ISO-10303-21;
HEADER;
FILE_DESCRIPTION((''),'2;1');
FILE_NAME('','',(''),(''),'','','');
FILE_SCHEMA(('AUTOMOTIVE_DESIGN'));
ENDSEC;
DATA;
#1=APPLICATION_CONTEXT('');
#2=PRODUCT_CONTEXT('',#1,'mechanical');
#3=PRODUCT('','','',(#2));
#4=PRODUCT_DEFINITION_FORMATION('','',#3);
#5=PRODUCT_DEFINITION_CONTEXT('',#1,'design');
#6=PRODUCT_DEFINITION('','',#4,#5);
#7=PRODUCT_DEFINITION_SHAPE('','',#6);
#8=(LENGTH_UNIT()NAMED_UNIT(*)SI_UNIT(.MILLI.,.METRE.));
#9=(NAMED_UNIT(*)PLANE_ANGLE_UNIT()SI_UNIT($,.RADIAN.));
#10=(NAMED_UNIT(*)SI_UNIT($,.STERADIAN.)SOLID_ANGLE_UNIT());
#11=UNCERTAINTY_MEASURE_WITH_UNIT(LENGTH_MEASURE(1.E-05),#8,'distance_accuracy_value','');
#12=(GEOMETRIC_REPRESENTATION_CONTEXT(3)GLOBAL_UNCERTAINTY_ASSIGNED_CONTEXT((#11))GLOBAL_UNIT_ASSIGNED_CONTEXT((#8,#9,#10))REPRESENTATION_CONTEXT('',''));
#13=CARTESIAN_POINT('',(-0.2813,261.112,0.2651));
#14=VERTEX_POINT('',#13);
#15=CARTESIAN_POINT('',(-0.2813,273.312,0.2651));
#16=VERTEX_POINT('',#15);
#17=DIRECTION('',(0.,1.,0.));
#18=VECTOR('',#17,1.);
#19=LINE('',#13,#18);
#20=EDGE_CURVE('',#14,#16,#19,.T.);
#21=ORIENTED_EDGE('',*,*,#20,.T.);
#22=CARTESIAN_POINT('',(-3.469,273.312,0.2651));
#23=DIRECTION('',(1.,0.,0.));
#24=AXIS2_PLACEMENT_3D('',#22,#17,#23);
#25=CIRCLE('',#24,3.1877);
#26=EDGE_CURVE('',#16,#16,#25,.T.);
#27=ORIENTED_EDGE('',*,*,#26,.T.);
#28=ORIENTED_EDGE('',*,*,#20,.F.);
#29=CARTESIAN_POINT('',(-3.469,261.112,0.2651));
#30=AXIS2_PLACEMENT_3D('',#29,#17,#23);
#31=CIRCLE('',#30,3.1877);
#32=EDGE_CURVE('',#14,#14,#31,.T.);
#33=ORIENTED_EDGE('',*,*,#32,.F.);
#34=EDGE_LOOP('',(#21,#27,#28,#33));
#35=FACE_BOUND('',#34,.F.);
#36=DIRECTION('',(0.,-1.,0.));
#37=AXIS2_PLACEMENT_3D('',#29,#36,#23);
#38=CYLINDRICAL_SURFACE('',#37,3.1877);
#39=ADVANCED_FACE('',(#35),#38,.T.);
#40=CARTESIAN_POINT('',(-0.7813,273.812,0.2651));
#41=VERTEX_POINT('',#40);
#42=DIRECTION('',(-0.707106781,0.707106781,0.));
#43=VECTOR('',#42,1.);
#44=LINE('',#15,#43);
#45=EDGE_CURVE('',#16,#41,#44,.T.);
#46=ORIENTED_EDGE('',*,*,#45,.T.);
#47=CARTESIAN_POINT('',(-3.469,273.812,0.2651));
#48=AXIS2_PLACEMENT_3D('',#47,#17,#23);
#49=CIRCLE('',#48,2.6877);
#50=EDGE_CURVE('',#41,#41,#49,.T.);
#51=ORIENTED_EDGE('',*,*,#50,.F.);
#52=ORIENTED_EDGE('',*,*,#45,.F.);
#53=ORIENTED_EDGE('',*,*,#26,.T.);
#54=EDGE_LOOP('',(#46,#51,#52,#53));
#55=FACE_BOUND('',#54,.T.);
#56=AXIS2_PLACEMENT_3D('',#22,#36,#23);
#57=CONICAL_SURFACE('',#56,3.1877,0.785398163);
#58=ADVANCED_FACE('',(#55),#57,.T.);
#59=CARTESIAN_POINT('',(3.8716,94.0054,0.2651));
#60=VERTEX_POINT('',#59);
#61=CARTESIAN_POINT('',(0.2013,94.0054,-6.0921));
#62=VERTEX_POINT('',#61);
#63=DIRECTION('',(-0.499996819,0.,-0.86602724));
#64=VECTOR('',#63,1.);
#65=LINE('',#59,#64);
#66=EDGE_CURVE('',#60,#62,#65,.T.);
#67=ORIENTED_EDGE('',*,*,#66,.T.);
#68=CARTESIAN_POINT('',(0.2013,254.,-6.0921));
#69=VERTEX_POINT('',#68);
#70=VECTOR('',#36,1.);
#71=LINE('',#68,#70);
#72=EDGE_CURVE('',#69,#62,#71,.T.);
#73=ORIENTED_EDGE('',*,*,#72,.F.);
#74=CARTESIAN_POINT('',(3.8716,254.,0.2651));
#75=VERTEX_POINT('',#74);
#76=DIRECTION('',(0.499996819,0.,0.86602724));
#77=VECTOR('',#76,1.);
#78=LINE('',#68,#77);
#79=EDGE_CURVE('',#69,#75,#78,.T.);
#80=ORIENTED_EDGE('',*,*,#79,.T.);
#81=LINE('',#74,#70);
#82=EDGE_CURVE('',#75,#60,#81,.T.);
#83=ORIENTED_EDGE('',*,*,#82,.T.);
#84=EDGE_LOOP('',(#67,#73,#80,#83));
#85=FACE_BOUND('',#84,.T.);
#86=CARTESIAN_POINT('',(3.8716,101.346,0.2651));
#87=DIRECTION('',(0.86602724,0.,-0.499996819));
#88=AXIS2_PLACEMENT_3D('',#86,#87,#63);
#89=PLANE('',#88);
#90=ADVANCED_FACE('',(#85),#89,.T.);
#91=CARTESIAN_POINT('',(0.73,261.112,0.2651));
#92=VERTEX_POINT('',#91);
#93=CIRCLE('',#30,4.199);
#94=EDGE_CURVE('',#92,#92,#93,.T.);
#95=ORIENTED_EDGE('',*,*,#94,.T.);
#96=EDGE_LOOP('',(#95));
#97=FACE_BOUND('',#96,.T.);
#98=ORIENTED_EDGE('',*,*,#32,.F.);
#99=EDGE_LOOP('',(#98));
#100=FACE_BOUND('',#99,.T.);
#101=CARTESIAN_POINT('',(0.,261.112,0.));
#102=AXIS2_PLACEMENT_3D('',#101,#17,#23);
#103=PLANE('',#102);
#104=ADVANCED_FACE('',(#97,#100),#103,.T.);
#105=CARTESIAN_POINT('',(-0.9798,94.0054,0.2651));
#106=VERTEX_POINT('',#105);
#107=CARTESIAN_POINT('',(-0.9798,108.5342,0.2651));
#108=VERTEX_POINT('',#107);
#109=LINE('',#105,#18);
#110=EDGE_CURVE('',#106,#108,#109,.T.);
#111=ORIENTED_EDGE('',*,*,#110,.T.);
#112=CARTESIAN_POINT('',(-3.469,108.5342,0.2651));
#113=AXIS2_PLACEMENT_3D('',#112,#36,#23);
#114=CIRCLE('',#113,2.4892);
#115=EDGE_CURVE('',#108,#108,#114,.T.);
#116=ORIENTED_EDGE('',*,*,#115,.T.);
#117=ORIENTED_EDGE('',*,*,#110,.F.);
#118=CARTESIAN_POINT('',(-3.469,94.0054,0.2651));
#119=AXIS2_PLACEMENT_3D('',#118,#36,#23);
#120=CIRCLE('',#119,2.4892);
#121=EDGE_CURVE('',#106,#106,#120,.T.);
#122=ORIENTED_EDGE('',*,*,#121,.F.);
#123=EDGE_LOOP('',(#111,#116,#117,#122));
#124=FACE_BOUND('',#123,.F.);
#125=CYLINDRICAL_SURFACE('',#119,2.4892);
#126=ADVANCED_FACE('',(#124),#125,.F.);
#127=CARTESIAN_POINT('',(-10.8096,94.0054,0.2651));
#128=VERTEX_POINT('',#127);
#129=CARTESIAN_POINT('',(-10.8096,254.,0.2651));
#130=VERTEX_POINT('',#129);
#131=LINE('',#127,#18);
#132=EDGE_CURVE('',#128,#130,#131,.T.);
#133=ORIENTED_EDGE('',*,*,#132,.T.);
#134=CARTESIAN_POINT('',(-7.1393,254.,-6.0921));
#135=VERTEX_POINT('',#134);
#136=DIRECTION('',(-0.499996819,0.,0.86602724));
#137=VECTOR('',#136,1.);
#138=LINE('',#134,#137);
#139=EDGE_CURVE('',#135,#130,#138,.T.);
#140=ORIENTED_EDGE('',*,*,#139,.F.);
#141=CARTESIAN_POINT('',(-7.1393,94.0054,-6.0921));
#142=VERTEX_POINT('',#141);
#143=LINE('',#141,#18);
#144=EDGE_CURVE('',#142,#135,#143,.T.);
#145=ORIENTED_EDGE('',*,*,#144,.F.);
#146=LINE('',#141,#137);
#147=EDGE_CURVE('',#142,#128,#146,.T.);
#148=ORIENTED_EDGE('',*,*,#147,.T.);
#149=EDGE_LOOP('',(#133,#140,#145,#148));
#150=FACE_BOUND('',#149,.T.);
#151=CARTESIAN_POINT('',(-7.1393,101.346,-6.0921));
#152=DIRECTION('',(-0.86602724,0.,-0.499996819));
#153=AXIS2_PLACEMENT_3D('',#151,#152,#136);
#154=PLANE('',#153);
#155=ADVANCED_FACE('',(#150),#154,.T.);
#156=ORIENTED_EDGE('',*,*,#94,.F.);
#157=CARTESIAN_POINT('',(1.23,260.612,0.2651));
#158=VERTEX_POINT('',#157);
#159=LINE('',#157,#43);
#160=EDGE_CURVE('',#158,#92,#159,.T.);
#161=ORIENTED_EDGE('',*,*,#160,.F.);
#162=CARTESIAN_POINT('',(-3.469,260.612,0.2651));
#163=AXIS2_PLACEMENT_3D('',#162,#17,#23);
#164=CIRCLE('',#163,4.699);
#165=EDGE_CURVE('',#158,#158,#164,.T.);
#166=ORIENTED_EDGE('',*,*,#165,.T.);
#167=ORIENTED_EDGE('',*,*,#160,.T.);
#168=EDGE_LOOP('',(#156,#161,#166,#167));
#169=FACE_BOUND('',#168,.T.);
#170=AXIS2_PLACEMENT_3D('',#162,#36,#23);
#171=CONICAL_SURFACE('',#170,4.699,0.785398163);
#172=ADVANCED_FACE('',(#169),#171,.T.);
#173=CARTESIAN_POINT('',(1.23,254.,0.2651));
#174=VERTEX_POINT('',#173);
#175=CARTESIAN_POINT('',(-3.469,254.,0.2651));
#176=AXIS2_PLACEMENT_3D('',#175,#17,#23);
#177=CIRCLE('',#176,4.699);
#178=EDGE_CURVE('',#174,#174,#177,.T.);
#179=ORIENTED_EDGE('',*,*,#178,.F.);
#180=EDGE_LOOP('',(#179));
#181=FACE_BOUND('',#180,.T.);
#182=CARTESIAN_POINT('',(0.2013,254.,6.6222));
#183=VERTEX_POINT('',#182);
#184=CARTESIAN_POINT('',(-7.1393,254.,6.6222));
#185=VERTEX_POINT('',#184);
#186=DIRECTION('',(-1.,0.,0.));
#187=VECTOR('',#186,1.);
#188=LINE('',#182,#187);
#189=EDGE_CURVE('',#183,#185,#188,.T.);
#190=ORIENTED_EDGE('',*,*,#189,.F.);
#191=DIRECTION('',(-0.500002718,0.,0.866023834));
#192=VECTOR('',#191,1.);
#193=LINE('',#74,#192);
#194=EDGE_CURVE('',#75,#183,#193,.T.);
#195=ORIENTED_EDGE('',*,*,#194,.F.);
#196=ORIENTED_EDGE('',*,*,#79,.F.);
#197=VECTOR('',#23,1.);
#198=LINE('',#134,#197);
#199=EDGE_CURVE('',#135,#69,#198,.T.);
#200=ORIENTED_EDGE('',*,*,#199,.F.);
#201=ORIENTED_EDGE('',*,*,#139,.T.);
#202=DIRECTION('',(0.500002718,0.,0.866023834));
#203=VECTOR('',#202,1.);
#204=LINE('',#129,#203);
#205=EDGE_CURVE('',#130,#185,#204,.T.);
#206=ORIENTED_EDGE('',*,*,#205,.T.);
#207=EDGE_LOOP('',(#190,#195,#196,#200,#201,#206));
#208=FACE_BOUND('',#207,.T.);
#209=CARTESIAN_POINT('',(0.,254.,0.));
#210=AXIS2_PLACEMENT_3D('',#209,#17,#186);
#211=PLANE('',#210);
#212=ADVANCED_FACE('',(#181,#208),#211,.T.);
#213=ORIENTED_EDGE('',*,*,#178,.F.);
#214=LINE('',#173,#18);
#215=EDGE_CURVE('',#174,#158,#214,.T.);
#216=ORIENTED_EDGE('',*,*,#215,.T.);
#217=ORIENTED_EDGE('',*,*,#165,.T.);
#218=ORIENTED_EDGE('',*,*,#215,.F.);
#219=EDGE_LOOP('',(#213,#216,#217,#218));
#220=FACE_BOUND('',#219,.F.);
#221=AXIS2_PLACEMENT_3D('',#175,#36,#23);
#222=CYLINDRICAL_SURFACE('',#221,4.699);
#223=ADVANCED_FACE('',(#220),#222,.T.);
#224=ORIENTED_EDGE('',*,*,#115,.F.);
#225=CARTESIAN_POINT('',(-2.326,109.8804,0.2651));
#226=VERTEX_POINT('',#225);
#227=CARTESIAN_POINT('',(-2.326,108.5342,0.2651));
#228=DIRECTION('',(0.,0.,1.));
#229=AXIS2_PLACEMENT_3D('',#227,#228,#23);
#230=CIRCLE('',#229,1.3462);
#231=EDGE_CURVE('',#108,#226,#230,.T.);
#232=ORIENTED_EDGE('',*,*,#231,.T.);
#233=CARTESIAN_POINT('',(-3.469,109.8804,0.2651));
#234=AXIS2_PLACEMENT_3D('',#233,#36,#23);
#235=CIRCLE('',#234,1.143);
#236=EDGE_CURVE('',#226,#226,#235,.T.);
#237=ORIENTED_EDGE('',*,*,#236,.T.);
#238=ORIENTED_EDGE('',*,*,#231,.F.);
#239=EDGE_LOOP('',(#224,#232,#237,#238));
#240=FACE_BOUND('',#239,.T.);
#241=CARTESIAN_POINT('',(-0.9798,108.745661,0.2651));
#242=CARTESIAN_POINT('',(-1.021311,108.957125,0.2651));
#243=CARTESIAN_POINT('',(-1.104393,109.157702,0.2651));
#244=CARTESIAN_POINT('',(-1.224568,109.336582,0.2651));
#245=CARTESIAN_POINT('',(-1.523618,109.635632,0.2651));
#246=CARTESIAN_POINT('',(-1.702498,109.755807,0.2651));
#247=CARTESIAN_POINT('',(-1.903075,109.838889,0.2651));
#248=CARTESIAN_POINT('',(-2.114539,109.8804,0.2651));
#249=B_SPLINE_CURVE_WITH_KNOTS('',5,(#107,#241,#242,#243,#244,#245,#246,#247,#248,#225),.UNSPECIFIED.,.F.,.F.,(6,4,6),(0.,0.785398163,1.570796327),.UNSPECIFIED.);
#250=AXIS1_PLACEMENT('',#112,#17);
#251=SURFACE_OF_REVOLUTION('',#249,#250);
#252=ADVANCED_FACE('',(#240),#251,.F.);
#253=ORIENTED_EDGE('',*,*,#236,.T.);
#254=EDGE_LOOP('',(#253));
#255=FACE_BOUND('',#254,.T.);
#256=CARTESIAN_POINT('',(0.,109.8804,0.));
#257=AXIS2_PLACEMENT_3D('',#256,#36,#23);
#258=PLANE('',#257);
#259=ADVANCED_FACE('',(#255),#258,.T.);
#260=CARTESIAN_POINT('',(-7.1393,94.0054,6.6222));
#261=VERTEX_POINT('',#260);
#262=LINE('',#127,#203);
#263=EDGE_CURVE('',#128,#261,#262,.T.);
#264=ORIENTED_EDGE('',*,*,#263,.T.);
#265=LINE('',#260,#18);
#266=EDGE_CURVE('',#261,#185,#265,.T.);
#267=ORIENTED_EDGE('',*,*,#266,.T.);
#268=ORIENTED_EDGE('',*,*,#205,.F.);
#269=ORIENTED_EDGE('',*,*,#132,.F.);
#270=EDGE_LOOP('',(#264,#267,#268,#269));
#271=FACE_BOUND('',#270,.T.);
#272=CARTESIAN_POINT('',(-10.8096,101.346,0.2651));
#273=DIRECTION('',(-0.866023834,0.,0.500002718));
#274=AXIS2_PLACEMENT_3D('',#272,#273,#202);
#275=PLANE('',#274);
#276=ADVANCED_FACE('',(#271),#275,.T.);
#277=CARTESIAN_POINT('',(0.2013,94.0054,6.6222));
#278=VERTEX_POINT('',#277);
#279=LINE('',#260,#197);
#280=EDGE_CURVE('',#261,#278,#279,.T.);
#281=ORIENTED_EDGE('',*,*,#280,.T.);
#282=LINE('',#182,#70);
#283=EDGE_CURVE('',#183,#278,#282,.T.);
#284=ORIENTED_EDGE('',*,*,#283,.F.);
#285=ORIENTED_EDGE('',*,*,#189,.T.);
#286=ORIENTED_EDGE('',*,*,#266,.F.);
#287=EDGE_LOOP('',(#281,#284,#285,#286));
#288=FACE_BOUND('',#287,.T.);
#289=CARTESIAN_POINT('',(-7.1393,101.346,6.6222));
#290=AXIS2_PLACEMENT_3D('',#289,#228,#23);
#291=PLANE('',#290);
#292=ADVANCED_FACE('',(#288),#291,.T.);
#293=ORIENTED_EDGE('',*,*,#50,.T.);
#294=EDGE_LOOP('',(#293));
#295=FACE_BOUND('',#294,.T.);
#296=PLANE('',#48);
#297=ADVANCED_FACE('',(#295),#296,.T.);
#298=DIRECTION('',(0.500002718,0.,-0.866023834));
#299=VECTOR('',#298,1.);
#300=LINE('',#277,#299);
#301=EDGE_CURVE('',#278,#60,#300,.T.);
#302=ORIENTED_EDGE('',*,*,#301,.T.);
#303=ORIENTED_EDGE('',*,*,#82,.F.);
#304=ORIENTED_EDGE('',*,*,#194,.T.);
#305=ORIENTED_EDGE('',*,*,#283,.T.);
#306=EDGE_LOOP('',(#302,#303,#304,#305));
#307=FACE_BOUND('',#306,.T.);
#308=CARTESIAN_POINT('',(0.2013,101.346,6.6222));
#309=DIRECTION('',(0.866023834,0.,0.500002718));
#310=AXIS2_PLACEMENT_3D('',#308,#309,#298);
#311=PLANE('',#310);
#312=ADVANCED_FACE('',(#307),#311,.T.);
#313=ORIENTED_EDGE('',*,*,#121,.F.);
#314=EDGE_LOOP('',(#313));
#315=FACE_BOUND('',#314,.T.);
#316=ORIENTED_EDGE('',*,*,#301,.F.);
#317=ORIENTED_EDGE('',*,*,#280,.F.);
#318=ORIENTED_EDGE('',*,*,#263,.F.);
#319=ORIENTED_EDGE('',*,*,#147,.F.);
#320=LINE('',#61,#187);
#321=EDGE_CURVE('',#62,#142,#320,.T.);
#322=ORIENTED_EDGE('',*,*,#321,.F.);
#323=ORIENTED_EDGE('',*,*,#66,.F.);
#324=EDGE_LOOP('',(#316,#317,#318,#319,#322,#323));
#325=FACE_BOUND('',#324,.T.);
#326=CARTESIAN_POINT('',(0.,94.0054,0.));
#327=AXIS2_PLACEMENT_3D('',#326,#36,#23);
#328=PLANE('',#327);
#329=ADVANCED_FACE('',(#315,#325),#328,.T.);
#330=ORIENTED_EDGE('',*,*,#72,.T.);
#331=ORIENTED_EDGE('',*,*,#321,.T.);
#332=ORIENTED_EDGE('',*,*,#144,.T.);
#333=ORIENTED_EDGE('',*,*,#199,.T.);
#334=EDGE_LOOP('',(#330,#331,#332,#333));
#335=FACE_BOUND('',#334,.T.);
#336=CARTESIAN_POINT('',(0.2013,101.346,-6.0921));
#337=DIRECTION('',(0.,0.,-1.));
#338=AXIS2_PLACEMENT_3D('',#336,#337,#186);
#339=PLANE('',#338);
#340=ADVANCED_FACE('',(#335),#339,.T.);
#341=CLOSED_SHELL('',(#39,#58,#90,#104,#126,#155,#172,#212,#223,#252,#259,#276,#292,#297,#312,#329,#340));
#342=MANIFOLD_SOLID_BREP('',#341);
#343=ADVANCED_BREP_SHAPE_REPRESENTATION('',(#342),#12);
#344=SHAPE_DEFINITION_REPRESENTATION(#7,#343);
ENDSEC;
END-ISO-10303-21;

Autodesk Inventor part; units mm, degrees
ref_plane "YZ Plane" through (0, 0, 0) normal (1, 0, 0) x (0, 1, 0)
ref_plane "XZ Plane" through (0, 0, 0) normal (0, 1, 0) x (-1, 0, 0)
ref_plane "XY Plane" through (0, 0, 0) normal (0, 0, 1) x (1, 0, 0)
sketch "Sketch1" plane through (0, 0, 0) normal (0, 1, 0) x (-1, 0, 0)
  line L0 (7.1393, -6.0921) -> (-0.2013, -6.0921)
  line L1 (-0.2013, -6.0921) -> (-3.8716, 0.2651)
  line L2 (-3.8716, 0.2651) -> (-0.2013, 6.6222)
  line L3 (-0.2013, 6.6222) -> (7.1393, 6.6222)
  line L4 (7.1393, -6.0921) -> (10.8096, 0.2651)
  line L5 (10.8096, 0.2651) -> (7.1393, 6.6222)
  point P0 (0, 0)
  dimension "d0" = 7.3406
  dimension "d1" = 7.3406
  dimension "d2" = 7.3406
  dimension "d3" = 7.3406
  dimension "d4" = 120
  dimension "d5" = 120
  dimension "d6" = 120
  dimension "d7" = 7.3406
  dimension "d8" = 120
  dimension "d9" = 7.3406
extrude "Extrusion1" add sketch "Sketch1" along normal blind 254
sketch "Sketch3" plane through (0, 254, 0) normal (0, 1, 0) x (1, 0, 0)
  circle A0 centre (-3.469, -0.2651) radius 4.699
  point P0 (0, 0)
  dimension "d21" = 9.398
extrude "Extrusion2" add sketch "Sketch3" along normal blind 7.112
chamfer "Chamfer1" distance 0.5 angle 45 1 edges at (-8.168, 261.112, 0.2651)
sketch "Sketch4" plane through (-3.469, 261.112, 0.2651) normal (0, 1, 0) x (1, 0, 0)
  circle A0 centre (0, 0) radius 4.199 projected
  circle A1 centre (0, 0) radius 3.1877
  point P0 (3.469, 0.2651)
  dimension "d27" = 6.3754
extrude "Extrusion3" add sketch "Sketch4" along normal blind 12.7 contours A1
chamfer "Chamfer2" distance 0.5 angle 45 1 edges at (-6.6567, 273.812, 0.2651)
sketch "Sketch5" plane through (0, 0, 0) normal (0, -1, 0) x (1, 0, 0)
  line L0 (-7.1393, -6.0921) -> (0.2013, -6.0921) projected
  line L1 (0.2013, -6.0921) -> (3.8716, 0.2651) projected
  line L2 (3.8716, 0.2651) -> (0.2013, 6.6222) projected
  line L3 (0.2013, 6.6222) -> (-7.1393, 6.6222) projected
  line L4 (-7.1393, 6.6222) -> (-10.8096, 0.2651) projected
  line L5 (-10.8096, 0.2651) -> (-7.1393, -6.0921) projected
  point P0 (0, 0)
extrude "Extrusion4" cut sketch "Sketch5" against normal blind 101.346
sketch "Sketch6" plane through (0, 101.346, 0) normal (0, -1, 0) x (1, 0, 0)
  line L0 (0.2013, -6.0921) -> (-7.1393, -6.0921) projected
  line L1 (3.8716, 0.2651) -> (0.2013, -6.0921) projected
  line L2 (0.2013, 6.6222) -> (3.8716, 0.2651) projected
  line L3 (-7.1393, 6.6222) -> (0.2013, 6.6222) projected
  line L4 (-10.8096, 0.2651) -> (-7.1393, 6.6222) projected
  line L5 (-7.1393, -6.0921) -> (-10.8096, 0.2651) projected
  point P0 (0, 0)
extrude "Extrusion5" add sketch "Sketch6" along normal blind 7.3406
sketch "Sketch7" plane through (0, 94.0054, 0) normal (0, -1, 0) x (1, 0, 0)
  circle A0 centre (-3.469, 0.2651) radius 2.4892
  point P0 (0, 0)
  dimension "d37" = 4.9784
extrude "Extrusion6" cut sketch "Sketch7" against normal blind 15.875
sketch "Sketch8" plane through (-3.469, 109.8804, 0.2651) normal (0, -1, 0) x (1, 0, 0)
  circle A0 centre (0, 0) radius 2.4892 projected
  point P0 (3.469, -0.2651)
fillet "Fillet1" radius 1.3462 1 edges at (-5.9582, 109.8804, 0.2651)
equation "\"d5\" = d4"
equation "\"d8\" = d4"
properties part number "Hex Shaft"
